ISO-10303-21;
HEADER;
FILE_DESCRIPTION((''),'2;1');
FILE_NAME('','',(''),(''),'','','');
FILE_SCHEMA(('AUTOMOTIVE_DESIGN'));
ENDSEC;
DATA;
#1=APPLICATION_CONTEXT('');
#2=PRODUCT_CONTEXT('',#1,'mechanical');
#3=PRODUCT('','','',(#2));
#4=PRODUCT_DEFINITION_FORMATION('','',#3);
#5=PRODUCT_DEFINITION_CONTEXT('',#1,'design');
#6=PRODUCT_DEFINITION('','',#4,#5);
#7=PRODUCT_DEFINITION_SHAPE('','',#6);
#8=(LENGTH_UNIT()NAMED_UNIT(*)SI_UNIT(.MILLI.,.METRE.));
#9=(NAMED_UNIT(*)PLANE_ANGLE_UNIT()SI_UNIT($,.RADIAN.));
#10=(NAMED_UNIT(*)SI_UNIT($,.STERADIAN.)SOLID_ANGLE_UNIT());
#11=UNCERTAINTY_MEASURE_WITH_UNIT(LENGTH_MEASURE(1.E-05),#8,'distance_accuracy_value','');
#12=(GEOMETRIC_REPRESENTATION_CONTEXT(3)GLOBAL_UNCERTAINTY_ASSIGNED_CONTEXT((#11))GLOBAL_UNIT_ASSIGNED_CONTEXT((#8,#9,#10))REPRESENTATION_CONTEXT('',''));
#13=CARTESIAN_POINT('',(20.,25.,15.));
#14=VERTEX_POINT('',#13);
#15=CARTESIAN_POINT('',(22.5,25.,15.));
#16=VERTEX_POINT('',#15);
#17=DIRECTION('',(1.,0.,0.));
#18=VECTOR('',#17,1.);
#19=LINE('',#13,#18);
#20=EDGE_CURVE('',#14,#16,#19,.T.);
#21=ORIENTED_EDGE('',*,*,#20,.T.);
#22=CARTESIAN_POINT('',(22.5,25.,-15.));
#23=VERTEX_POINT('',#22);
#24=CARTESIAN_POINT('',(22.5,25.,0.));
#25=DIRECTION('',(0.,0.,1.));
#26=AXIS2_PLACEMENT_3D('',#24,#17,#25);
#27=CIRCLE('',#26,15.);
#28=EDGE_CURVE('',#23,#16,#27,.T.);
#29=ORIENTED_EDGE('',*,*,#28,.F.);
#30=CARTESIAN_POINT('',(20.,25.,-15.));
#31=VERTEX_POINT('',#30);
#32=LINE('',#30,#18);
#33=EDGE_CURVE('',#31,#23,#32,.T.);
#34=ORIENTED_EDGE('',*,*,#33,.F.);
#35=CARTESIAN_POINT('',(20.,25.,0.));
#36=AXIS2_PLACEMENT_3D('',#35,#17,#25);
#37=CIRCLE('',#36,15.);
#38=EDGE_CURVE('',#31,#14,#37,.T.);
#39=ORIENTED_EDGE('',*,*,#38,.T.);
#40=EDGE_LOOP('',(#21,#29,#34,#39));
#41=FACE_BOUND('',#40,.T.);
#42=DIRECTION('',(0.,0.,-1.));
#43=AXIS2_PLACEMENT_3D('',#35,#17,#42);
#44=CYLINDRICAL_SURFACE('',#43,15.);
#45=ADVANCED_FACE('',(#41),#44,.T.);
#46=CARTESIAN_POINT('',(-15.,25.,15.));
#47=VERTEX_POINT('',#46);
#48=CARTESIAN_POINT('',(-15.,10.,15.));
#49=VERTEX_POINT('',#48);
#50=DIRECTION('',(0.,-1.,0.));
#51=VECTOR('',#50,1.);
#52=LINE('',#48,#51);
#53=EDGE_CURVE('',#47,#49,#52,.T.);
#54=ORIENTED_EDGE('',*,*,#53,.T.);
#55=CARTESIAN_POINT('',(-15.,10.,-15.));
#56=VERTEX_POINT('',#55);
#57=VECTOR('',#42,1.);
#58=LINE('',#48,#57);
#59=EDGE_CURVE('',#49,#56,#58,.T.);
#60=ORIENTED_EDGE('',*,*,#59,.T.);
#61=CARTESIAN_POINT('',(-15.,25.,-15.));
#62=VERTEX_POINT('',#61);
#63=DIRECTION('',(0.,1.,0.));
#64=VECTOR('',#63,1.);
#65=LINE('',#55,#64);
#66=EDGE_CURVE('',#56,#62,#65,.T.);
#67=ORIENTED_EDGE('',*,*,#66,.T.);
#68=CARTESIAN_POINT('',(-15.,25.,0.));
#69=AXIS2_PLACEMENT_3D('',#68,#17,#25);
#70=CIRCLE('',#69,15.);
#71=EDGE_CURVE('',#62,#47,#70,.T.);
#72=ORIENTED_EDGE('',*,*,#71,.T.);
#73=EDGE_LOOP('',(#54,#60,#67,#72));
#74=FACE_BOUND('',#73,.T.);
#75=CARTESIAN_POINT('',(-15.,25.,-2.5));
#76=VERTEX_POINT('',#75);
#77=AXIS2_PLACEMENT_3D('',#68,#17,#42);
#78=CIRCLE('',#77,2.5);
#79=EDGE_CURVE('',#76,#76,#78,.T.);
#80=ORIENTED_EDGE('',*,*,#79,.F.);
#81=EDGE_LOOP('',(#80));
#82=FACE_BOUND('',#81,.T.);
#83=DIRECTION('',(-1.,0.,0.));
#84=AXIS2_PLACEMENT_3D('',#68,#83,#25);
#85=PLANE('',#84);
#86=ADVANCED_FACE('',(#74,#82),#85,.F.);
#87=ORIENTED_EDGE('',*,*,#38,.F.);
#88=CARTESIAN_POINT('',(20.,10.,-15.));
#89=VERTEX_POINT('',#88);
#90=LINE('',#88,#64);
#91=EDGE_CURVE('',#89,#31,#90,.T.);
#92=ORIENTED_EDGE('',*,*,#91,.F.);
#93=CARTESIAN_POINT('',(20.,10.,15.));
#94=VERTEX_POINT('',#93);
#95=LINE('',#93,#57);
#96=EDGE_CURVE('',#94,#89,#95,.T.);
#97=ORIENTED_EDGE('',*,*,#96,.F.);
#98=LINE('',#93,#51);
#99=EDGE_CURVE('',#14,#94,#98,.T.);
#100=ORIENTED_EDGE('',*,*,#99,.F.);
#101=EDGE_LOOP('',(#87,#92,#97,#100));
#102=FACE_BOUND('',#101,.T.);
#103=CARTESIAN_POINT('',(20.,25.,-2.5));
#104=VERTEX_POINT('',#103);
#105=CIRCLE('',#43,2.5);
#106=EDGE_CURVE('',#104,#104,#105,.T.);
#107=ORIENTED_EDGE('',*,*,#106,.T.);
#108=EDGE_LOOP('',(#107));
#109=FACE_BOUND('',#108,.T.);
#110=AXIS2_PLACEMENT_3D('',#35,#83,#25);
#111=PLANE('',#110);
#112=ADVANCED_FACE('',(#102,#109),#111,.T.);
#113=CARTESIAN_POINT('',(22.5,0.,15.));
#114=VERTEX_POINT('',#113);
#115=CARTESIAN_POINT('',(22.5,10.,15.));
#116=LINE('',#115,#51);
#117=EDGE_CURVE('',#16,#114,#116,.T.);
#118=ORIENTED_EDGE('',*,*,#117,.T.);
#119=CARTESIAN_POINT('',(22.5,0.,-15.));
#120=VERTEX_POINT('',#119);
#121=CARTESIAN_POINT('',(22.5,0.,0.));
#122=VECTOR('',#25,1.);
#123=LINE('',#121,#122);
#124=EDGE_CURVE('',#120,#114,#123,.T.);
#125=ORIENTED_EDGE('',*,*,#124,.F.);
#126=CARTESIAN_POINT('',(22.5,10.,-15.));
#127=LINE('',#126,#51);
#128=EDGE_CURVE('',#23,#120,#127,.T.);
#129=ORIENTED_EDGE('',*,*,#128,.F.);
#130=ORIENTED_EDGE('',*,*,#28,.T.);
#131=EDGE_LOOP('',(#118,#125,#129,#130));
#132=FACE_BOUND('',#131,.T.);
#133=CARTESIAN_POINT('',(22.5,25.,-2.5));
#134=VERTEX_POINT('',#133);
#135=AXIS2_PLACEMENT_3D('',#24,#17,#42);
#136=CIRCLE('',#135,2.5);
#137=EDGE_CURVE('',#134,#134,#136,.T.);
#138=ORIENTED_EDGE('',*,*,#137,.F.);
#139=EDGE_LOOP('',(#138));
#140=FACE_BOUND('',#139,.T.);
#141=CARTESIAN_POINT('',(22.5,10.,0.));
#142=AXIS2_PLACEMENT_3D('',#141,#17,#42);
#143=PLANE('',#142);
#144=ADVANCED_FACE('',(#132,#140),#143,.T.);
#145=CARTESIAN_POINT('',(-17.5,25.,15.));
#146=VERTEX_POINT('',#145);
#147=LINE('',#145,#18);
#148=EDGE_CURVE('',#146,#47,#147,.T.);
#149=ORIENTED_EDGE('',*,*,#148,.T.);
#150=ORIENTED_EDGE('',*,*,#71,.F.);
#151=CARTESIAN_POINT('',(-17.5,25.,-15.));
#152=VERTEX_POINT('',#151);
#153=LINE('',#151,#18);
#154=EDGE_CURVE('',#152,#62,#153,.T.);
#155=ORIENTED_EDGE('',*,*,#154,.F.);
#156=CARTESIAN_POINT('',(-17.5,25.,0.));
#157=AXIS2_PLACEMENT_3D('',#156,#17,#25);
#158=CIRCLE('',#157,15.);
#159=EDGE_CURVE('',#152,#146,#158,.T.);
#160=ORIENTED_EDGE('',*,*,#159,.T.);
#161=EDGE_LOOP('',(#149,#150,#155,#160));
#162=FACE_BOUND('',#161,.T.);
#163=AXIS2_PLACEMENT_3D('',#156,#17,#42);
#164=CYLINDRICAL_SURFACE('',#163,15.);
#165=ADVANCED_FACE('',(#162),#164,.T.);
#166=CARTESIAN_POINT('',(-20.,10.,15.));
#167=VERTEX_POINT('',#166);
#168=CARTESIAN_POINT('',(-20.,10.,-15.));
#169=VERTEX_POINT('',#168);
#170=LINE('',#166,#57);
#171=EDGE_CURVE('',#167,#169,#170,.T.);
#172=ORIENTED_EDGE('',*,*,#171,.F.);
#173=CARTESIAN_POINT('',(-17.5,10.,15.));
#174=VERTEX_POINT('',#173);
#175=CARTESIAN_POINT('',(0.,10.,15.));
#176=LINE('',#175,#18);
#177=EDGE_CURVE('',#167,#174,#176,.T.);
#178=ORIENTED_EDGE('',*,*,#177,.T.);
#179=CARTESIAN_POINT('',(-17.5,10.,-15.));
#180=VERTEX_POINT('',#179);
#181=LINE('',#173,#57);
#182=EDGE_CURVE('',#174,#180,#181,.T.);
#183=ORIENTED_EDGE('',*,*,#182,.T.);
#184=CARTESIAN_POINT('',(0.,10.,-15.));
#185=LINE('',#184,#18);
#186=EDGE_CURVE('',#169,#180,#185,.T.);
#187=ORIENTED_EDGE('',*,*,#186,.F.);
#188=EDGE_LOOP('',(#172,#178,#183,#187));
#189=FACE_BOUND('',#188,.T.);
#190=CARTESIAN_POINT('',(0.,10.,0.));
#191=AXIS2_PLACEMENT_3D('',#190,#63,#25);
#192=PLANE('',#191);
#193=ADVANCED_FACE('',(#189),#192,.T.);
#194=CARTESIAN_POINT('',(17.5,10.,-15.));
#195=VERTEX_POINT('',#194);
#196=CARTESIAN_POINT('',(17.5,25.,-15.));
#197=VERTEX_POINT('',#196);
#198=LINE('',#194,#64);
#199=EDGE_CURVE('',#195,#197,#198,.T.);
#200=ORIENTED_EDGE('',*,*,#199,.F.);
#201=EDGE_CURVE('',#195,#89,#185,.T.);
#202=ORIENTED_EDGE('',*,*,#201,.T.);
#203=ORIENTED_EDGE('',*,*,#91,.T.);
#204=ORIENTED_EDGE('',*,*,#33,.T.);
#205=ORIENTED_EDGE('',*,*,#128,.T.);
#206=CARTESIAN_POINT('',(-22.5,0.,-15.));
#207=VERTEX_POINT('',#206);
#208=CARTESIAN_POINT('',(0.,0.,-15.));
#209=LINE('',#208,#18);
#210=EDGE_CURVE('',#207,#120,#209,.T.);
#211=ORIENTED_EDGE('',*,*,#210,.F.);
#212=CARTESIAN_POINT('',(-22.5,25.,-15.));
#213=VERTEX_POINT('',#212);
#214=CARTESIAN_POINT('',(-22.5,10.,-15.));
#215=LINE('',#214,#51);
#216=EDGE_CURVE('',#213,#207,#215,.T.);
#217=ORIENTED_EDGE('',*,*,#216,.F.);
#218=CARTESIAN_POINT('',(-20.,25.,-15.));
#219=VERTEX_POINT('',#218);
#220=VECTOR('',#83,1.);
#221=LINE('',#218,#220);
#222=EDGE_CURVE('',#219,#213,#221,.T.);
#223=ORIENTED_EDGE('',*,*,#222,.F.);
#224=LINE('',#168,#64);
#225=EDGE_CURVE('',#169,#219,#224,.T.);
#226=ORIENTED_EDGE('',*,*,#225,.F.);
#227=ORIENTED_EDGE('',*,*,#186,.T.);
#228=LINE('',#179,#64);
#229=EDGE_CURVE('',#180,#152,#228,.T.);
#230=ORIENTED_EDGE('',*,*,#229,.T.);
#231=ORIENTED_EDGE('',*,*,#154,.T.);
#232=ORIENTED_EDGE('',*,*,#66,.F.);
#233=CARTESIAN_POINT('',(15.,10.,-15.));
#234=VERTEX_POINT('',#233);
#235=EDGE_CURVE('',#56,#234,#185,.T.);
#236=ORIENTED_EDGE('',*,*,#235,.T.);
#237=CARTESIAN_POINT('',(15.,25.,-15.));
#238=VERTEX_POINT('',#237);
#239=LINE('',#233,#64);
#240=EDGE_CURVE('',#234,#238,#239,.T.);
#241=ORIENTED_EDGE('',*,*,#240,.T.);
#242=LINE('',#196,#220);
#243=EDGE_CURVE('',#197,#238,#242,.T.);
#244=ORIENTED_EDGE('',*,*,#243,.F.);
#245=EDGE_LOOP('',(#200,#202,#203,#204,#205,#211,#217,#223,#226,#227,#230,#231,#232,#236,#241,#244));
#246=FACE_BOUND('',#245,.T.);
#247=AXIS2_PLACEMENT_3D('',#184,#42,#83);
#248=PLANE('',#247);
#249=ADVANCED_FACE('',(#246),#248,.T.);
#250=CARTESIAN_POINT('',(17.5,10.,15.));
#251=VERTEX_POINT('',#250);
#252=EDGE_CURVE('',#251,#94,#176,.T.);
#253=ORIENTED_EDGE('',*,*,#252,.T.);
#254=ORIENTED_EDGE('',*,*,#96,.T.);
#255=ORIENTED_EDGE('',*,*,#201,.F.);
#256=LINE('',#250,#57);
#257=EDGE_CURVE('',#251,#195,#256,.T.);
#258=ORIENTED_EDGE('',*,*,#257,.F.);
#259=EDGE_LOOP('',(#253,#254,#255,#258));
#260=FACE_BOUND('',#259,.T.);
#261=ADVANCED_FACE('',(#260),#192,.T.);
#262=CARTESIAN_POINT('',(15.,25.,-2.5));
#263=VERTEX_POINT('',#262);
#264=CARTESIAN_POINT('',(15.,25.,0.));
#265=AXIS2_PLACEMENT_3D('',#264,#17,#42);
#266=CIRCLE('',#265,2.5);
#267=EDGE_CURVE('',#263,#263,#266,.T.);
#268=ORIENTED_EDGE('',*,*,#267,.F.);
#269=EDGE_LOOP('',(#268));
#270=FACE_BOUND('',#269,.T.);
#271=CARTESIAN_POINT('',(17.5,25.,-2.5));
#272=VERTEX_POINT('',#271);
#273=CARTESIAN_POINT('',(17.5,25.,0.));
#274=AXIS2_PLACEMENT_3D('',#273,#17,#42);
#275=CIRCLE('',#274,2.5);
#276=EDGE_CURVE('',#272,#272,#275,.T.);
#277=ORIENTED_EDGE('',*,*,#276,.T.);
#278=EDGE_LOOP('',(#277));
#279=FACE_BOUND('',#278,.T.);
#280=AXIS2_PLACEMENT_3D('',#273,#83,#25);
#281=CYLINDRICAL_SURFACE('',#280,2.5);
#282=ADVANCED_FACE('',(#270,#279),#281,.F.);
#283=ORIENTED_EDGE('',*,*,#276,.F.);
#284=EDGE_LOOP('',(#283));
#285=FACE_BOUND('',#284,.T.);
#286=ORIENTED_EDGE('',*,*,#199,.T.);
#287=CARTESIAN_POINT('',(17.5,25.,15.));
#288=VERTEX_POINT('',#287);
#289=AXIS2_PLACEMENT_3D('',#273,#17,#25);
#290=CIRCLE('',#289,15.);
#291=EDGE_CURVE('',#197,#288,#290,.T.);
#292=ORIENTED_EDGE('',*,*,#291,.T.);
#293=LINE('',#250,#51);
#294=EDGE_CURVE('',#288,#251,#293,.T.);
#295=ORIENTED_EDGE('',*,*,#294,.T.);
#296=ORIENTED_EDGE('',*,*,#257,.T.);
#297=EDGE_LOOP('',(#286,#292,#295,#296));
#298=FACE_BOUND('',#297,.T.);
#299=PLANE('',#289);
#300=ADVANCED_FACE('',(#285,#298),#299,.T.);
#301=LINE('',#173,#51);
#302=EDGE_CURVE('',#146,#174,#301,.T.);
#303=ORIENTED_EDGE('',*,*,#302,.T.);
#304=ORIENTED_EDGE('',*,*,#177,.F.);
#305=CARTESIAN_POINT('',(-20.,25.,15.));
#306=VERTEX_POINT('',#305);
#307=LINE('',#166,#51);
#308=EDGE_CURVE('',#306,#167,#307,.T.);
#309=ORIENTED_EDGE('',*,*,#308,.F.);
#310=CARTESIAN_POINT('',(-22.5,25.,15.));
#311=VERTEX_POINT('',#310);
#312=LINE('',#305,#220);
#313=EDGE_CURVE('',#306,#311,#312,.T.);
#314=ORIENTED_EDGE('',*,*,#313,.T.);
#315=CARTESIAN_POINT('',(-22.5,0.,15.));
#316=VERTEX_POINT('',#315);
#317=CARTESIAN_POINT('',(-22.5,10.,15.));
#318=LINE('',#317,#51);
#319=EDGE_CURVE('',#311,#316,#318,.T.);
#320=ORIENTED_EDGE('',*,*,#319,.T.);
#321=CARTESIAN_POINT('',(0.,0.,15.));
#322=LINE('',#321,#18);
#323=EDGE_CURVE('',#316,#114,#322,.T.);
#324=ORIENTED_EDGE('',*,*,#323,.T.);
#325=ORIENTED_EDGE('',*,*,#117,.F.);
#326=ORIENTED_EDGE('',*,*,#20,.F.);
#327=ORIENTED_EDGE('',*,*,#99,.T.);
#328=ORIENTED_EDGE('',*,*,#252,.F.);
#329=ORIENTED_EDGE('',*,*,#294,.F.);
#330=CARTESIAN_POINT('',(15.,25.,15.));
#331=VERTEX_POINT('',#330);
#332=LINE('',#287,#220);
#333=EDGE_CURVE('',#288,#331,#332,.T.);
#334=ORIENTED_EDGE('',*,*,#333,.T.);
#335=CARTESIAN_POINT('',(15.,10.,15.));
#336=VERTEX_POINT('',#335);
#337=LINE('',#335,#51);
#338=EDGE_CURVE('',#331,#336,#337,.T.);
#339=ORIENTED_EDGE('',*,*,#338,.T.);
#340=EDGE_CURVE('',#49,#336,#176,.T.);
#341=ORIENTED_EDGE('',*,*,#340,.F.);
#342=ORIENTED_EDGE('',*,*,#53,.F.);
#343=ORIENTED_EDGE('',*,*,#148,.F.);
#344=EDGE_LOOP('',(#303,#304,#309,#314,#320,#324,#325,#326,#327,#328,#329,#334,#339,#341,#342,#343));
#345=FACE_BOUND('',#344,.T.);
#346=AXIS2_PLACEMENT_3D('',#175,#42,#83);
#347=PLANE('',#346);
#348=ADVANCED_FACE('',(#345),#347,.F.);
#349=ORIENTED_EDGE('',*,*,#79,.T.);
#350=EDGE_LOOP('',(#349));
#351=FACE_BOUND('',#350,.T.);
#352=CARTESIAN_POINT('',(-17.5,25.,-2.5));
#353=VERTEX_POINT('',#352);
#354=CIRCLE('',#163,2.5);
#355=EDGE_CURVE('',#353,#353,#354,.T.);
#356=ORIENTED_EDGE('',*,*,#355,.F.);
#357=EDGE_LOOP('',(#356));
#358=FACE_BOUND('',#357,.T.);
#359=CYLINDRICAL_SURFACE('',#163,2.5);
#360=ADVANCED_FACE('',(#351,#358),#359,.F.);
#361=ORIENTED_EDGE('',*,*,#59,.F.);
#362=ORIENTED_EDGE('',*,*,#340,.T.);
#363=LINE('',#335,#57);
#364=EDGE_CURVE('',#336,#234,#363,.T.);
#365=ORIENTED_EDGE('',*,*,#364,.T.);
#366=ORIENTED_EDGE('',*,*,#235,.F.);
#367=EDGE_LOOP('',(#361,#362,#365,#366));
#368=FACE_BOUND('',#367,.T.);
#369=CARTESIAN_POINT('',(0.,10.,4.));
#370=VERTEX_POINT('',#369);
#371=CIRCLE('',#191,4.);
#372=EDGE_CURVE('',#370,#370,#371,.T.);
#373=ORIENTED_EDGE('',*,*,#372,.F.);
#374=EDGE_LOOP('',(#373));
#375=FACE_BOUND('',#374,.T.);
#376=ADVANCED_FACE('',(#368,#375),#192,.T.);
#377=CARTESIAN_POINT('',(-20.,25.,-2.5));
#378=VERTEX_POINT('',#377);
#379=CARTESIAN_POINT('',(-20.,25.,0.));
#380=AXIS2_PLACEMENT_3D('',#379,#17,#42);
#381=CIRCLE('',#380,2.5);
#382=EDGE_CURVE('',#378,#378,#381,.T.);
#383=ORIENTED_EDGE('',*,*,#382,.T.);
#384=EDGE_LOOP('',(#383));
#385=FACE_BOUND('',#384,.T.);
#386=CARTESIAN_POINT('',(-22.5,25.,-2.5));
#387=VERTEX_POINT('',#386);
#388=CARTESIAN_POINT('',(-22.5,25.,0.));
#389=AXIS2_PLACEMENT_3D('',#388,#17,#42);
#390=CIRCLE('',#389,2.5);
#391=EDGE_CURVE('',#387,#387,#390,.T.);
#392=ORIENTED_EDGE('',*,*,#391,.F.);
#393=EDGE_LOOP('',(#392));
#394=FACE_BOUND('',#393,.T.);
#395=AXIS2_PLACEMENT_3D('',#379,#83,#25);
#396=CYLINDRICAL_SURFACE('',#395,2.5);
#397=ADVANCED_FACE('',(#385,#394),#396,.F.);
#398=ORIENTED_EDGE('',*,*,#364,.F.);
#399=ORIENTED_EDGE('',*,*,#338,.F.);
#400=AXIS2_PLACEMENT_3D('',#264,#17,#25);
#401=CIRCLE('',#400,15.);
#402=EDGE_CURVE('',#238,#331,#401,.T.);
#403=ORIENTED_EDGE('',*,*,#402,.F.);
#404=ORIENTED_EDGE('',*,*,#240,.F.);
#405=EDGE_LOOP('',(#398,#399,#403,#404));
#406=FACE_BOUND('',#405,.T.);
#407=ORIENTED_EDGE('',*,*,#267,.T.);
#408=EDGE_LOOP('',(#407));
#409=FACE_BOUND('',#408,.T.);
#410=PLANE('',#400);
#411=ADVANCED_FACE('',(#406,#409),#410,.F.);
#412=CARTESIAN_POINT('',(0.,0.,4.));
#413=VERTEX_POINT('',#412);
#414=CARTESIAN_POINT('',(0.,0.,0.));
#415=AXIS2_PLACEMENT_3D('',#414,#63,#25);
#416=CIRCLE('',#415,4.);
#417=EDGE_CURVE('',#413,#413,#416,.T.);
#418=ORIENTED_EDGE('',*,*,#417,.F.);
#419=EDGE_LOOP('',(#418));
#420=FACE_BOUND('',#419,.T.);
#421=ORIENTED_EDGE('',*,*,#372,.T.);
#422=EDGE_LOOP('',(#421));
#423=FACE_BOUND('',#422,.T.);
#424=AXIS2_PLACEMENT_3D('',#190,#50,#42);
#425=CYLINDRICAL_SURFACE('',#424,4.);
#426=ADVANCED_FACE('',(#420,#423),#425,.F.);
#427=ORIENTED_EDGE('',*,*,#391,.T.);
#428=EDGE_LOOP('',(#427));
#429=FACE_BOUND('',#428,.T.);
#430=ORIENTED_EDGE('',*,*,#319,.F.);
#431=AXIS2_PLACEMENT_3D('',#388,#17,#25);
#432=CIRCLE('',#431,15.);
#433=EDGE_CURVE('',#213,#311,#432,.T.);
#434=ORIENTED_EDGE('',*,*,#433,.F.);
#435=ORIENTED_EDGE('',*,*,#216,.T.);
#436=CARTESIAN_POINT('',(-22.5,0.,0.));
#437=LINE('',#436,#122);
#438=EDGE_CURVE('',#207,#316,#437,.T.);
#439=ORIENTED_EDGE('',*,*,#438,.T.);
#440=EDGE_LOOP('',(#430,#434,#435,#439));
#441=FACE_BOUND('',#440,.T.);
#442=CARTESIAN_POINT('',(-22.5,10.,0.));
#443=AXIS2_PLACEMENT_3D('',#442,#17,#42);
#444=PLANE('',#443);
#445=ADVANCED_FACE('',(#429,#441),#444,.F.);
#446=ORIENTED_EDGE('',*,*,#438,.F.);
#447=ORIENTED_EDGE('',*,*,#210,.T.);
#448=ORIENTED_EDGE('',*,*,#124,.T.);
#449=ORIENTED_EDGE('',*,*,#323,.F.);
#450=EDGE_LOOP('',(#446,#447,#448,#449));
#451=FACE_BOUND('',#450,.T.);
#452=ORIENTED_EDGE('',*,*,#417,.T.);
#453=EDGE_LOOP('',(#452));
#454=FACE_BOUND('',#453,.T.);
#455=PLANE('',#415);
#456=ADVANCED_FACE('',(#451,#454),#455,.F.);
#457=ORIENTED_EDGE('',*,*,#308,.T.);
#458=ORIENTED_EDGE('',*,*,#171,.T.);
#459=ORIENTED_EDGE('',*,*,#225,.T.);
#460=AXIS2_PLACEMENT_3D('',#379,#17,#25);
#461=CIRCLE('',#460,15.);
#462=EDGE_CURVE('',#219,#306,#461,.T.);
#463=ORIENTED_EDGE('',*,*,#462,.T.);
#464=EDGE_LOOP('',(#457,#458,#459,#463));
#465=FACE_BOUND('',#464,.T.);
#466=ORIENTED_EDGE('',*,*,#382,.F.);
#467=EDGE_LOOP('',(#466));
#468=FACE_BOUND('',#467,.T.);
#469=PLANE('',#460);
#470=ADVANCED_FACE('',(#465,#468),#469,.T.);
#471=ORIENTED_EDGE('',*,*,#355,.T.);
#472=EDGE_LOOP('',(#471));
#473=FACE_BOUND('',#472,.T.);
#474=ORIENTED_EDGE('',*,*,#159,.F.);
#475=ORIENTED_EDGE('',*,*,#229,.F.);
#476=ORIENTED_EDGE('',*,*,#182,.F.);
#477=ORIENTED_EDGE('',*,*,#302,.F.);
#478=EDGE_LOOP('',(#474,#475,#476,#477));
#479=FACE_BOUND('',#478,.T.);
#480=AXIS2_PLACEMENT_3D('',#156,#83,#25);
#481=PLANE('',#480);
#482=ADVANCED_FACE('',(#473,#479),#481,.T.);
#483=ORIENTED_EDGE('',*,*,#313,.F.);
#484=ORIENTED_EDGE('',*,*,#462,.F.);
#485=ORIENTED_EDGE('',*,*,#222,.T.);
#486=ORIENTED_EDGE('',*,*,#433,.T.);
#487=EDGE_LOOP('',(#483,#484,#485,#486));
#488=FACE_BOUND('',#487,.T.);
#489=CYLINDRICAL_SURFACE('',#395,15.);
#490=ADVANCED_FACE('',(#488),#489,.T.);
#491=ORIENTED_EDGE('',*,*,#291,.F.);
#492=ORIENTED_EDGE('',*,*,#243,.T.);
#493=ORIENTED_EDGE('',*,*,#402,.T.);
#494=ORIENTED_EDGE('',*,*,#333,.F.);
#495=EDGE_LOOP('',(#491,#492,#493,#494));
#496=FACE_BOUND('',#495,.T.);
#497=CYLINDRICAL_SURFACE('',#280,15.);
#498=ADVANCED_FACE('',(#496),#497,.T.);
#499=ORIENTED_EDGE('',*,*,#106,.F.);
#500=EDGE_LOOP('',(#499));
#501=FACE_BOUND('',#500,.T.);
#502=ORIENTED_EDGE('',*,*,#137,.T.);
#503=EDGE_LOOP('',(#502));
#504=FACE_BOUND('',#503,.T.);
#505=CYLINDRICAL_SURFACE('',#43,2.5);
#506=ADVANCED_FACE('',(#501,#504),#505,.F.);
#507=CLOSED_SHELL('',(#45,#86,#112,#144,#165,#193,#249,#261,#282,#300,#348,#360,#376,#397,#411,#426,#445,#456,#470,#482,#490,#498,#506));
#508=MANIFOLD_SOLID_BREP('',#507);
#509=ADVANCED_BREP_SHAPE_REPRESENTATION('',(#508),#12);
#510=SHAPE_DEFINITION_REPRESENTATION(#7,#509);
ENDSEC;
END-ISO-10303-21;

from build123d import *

# Parameters (mm, degrees)
SKETCH1_W               = 45
SKETCH1_H               = 30
SKETCH1_R               = 4
BOSS_EXTRUDE1_DEPTH     = 10
SKETCH2_R               = 2.5
BOSS_EXTRUDE2_DEPTH     = 2.5
MIRROR3_COPY_1_SKETCH_R = 2.5
MIRROR3_COPY_1_DEPTH    = 2.5


with BuildPart() as part:
    # Sketch1 → Boss-Extrude1 (new body)
    with BuildSketch(Plane(origin=(0, 0, 0), x_dir=(1, 0, 0), z_dir=(0, 1, 0))):
        Rectangle(SKETCH1_W, SKETCH1_H)
        with Locations(Location((0, 0, 0), (0, 0, 270))):
            Circle(SKETCH1_R, mode=Mode.SUBTRACT)
    extrude(amount=BOSS_EXTRUDE1_DEPTH)

    # Sketch2 → Boss-Extrude2 (add)
    with BuildSketch(Plane(origin=(22.5, 0, 0), x_dir=(0, 0, -1), z_dir=(1, 0, 0))):
        with BuildLine():
            Line((-15, 10), (15, 10))
            Line((15, 10), (15, 25))
            ThreePointArc((15, 25), (0, 40), (-15, 25))
            Line((-15, 25), (-15, 10))
        make_face()
        with Locations((0, 25)):
            Circle(SKETCH2_R, mode=Mode.SUBTRACT)
    boss_extrude2 = extrude(amount=-BOSS_EXTRUDE2_DEPTH)

    # Mirror2: Boss-Extrude2 across plane
    add(boss_extrude2.mirror(Plane(origin=(18.75, 0, 0), x_dir=(0, 0, 1), z_dir=(1, 0, 0))))

    # Mirror3: Boss-Extrude2 across plane
    add(boss_extrude2.mirror(Plane(origin=(0, 0, 0), x_dir=(0, 0, 1), z_dir=(1, 0, 0))))

    # Mirror3 copy 1 sketch → Mirror3 copy 1 (add)
    with BuildSketch(Plane(origin=(-15, 0, 0), x_dir=(0, 0, -1), z_dir=(1, 0, 0))):
        with BuildLine():
            Line((-15, 10), (15, 10))
            Line((15, 10), (15, 25))
            ThreePointArc((15, 25), (0, 40), (-15, 25))
            Line((-15, 25), (-15, 10))
        make_face()
        with Locations((0, 25)):
            Circle(MIRROR3_COPY_1_SKETCH_R, mode=Mode.SUBTRACT)
    extrude(amount=-MIRROR3_COPY_1_DEPTH)


solid = part.part
